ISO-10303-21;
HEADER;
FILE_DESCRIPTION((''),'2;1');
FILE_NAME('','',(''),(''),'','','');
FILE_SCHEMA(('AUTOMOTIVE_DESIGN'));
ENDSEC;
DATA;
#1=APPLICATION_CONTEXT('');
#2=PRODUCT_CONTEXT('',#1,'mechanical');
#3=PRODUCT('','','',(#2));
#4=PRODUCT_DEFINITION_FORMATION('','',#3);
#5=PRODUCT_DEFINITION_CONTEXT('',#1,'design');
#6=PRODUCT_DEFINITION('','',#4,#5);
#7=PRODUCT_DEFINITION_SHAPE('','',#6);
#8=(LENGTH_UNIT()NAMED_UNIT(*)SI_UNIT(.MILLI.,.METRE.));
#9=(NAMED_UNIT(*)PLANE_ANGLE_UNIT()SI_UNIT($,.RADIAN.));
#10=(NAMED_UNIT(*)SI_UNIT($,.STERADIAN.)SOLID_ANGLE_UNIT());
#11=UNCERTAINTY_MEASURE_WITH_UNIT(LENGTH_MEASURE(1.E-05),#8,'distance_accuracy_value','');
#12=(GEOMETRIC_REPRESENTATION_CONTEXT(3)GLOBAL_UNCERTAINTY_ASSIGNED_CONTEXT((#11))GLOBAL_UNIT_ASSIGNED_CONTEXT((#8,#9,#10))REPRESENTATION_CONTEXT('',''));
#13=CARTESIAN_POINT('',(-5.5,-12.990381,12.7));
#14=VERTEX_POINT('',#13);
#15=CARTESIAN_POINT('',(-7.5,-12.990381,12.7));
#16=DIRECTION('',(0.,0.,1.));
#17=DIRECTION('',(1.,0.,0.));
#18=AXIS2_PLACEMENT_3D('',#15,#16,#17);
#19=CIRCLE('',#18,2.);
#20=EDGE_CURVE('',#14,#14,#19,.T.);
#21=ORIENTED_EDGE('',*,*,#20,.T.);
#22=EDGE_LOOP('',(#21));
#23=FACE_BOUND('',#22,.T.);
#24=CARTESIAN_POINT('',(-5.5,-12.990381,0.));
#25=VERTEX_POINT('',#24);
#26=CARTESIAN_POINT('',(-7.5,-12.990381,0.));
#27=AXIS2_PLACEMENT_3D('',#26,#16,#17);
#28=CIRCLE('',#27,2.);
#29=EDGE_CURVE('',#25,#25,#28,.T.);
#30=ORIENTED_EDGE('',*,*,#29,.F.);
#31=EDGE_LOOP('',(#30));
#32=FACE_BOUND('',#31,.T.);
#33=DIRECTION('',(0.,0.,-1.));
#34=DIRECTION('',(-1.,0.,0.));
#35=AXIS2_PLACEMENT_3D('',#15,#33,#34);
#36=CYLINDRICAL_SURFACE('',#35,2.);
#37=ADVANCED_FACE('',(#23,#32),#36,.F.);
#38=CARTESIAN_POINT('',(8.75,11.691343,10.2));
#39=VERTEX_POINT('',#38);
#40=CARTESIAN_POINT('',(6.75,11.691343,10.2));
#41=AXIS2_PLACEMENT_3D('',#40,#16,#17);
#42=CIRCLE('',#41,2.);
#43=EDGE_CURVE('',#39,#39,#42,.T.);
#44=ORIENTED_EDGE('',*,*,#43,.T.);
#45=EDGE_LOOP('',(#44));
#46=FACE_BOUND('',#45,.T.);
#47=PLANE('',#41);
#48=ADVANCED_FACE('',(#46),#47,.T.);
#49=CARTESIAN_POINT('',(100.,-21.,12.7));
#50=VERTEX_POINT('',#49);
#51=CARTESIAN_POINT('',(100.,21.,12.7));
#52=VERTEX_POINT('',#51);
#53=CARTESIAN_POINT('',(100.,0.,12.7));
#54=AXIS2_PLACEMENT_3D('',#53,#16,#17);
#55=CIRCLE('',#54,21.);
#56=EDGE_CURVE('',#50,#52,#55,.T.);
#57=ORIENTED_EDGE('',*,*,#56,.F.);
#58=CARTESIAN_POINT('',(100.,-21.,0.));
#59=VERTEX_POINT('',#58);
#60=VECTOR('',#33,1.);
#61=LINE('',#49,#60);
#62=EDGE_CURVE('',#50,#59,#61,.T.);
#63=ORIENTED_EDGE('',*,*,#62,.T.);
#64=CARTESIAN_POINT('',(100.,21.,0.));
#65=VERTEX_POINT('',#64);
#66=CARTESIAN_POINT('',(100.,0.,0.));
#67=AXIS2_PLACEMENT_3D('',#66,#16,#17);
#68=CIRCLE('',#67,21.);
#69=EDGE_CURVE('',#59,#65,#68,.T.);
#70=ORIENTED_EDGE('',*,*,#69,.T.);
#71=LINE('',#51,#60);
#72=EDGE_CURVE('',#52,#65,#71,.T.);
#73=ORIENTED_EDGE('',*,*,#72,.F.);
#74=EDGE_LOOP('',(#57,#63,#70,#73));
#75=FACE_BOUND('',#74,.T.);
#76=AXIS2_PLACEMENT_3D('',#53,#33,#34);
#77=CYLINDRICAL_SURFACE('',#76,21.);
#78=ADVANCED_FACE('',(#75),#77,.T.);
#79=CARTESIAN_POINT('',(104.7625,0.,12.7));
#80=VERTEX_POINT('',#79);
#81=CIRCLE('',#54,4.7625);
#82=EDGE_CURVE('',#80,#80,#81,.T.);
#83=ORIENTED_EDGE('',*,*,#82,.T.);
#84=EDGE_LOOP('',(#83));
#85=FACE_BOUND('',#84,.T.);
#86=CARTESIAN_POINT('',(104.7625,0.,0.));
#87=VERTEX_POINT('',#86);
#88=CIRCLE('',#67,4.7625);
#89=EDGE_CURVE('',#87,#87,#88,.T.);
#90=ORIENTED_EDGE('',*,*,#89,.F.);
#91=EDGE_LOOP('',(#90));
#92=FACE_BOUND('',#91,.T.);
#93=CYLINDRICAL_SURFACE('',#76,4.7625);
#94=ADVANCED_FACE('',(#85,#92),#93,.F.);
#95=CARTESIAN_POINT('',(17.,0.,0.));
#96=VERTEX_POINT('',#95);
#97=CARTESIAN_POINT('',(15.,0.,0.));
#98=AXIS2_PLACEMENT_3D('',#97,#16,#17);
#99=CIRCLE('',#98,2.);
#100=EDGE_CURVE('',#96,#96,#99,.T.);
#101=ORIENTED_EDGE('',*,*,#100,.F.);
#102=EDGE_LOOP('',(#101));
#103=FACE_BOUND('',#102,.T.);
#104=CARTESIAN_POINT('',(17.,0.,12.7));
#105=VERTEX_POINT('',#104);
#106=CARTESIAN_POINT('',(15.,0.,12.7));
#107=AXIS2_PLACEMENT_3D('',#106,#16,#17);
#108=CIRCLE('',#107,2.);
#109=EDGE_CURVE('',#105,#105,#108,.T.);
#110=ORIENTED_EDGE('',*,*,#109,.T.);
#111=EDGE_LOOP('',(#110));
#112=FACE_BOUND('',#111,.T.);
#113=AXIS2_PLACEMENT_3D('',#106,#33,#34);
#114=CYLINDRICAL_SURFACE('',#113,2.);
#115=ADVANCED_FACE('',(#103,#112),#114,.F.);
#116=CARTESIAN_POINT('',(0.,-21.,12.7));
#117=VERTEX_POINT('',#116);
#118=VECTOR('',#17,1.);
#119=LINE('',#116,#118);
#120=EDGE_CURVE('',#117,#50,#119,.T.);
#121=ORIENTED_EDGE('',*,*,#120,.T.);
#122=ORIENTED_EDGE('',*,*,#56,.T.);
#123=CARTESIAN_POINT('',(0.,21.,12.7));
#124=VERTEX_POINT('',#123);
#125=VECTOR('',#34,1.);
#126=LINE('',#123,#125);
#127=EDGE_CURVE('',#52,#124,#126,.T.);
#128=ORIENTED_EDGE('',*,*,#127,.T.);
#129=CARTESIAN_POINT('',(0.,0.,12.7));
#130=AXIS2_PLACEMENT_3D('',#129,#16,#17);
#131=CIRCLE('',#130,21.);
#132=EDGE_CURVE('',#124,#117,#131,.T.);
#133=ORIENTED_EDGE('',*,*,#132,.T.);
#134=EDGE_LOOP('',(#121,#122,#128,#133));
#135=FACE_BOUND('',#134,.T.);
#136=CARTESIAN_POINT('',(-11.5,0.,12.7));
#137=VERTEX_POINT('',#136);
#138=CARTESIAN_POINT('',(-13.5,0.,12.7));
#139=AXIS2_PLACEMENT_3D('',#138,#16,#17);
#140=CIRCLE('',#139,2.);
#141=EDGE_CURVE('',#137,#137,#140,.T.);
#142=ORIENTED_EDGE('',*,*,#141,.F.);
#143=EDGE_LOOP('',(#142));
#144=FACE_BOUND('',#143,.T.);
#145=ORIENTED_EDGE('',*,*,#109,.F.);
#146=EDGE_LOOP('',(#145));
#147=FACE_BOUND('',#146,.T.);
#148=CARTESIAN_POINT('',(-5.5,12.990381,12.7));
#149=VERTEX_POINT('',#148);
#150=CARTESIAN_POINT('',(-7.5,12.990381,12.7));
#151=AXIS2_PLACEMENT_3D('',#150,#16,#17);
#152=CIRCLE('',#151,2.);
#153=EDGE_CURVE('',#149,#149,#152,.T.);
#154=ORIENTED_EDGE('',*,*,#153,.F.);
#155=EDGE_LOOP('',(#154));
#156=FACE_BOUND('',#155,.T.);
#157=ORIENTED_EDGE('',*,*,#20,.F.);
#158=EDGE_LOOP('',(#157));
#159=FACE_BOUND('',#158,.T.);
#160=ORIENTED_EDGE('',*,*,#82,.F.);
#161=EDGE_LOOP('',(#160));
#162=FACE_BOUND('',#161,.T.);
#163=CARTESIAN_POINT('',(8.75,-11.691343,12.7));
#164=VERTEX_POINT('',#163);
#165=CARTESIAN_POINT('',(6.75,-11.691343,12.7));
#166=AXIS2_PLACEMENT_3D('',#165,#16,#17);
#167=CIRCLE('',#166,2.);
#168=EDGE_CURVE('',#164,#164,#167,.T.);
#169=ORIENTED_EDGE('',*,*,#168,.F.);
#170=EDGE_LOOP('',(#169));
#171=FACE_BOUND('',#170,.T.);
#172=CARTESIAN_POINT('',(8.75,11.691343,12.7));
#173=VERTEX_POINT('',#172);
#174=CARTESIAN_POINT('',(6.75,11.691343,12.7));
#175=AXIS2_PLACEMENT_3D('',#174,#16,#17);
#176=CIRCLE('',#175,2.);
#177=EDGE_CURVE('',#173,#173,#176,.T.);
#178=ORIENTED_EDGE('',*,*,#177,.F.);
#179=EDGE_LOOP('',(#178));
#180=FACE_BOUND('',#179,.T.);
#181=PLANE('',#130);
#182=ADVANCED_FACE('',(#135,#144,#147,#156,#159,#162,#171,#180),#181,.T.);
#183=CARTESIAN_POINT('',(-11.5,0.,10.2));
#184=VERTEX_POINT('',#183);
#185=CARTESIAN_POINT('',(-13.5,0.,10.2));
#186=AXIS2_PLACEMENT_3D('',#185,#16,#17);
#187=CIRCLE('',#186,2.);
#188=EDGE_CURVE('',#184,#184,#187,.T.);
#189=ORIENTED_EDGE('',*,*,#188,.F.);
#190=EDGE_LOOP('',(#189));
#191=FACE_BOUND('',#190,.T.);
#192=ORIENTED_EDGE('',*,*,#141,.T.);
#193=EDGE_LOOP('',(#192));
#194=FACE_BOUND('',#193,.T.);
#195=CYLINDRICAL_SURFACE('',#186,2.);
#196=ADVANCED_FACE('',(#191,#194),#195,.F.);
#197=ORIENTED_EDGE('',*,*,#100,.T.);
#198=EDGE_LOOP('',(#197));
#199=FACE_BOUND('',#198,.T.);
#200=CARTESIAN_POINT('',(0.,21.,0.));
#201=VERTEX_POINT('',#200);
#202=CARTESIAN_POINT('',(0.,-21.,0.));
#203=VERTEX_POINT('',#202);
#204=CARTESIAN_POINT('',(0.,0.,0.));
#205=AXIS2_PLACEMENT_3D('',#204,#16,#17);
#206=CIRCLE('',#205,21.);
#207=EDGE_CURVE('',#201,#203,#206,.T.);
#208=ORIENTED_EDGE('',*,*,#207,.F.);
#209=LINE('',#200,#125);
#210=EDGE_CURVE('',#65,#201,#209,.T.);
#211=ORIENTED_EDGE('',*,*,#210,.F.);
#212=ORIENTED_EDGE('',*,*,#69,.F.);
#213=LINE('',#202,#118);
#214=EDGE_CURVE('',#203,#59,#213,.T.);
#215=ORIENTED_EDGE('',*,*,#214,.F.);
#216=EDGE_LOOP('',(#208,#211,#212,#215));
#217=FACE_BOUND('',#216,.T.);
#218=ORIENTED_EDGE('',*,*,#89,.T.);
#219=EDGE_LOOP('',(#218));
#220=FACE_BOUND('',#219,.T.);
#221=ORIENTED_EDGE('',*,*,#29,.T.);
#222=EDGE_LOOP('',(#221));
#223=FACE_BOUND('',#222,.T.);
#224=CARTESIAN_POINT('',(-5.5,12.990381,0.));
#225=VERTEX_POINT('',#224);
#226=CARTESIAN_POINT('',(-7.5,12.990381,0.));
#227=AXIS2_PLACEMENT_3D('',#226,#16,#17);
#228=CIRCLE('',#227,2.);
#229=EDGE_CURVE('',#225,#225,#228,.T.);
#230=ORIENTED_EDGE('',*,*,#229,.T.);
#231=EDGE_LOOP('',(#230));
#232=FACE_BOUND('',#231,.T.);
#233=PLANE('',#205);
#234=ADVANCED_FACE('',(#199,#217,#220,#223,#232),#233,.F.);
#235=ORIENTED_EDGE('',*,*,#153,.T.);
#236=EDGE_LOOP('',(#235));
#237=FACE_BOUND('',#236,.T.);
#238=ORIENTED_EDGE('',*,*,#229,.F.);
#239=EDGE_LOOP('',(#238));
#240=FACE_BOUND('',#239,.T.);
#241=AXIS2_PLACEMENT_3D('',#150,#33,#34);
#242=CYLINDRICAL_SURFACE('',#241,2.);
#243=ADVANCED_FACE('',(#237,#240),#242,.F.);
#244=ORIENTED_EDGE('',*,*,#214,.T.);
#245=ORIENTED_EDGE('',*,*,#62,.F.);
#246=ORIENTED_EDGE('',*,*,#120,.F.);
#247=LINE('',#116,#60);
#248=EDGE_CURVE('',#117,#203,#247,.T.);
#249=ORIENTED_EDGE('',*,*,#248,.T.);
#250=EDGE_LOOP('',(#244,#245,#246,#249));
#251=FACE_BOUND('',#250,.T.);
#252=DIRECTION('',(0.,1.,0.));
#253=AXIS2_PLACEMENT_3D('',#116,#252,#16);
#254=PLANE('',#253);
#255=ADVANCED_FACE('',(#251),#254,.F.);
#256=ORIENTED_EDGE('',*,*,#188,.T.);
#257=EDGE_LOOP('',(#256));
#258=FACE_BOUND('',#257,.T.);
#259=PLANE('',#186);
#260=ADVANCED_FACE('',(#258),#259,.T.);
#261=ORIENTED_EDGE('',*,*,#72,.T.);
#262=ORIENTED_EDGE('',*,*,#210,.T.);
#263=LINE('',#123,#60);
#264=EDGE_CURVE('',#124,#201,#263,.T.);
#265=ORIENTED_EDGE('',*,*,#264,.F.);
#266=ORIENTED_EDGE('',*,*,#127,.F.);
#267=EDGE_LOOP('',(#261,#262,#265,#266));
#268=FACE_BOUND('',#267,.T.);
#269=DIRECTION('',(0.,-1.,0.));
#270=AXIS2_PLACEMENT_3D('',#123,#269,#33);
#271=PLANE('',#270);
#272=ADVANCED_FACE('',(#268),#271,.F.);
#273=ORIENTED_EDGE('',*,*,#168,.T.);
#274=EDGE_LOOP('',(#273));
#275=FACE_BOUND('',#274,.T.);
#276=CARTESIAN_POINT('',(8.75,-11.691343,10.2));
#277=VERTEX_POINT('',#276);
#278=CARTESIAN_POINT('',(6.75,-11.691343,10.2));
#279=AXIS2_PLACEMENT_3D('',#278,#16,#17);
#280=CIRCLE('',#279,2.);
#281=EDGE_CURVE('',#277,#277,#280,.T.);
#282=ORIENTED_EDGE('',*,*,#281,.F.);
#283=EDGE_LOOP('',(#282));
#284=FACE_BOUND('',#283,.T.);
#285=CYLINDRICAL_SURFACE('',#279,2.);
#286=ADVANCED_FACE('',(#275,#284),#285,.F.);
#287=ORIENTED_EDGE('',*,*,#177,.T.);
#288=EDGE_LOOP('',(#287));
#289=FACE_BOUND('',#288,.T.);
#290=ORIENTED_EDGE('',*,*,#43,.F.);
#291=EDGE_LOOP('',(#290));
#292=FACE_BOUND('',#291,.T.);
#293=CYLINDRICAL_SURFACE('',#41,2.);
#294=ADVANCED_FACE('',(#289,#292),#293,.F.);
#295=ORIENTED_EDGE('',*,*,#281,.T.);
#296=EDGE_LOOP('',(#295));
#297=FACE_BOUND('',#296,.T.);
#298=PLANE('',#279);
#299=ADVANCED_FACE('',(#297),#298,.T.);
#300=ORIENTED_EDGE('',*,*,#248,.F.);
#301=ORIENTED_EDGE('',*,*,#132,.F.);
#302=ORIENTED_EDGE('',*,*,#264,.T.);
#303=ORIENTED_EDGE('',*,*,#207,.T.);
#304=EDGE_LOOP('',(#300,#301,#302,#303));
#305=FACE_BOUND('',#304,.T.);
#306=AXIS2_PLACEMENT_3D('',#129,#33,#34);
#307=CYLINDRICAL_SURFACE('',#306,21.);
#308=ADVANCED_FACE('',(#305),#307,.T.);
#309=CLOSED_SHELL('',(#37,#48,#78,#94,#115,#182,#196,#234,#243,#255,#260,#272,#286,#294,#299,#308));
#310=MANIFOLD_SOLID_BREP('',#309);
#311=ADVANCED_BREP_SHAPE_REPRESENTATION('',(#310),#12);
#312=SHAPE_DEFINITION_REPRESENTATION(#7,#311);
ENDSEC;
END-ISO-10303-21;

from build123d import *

# Parameters (mm, degrees)
SKETCH1_R           = 4.7625
SKETCH1_R_2         = 2
BOSS_EXTRUDE2_DEPTH = 12.7
SKETCH2_R           = 2
CUT_EXTRUDE1_DEPTH  = 2.5


with BuildPart() as part:
    # Sketch1 → Boss-Extrude2 (new body)
    with BuildSketch(Plane.XY):
        with BuildLine():
            Line((0, 21), (100, 21))
            ThreePointArc((100, 21), (121, 0), (100, -21))
            Line((100, -21), (0, -21))
            ThreePointArc((0, -21), (-21, 0), (0, 21))
        make_face()
        with Locations((100, 0)):
            Circle(SKETCH1_R, mode=Mode.SUBTRACT)
        with Locations((15, 0)):
            Circle(SKETCH1_R_2, mode=Mode.SUBTRACT)
        with Locations((-7.5, -12.990381057)):
            Circle(SKETCH1_R_2, mode=Mode.SUBTRACT)
        with Locations((-7.5, 12.990381057)):
            Circle(SKETCH1_R_2, mode=Mode.SUBTRACT)
    extrude(amount=BOSS_EXTRUDE2_DEPTH)

    # Sketch2 → Cut-Extrude1 (cut)
    with BuildSketch(Plane.XY.offset(12.7)):
        with Locations((-13.5, 0)):
            Circle(SKETCH2_R)
        with Locations((6.75, 11.691342951)):
            Circle(SKETCH2_R)
        with Locations((6.75, -11.691342951)):
            Circle(SKETCH2_R)
    extrude(amount=-CUT_EXTRUDE1_DEPTH, mode=Mode.SUBTRACT)


solid = part.part
